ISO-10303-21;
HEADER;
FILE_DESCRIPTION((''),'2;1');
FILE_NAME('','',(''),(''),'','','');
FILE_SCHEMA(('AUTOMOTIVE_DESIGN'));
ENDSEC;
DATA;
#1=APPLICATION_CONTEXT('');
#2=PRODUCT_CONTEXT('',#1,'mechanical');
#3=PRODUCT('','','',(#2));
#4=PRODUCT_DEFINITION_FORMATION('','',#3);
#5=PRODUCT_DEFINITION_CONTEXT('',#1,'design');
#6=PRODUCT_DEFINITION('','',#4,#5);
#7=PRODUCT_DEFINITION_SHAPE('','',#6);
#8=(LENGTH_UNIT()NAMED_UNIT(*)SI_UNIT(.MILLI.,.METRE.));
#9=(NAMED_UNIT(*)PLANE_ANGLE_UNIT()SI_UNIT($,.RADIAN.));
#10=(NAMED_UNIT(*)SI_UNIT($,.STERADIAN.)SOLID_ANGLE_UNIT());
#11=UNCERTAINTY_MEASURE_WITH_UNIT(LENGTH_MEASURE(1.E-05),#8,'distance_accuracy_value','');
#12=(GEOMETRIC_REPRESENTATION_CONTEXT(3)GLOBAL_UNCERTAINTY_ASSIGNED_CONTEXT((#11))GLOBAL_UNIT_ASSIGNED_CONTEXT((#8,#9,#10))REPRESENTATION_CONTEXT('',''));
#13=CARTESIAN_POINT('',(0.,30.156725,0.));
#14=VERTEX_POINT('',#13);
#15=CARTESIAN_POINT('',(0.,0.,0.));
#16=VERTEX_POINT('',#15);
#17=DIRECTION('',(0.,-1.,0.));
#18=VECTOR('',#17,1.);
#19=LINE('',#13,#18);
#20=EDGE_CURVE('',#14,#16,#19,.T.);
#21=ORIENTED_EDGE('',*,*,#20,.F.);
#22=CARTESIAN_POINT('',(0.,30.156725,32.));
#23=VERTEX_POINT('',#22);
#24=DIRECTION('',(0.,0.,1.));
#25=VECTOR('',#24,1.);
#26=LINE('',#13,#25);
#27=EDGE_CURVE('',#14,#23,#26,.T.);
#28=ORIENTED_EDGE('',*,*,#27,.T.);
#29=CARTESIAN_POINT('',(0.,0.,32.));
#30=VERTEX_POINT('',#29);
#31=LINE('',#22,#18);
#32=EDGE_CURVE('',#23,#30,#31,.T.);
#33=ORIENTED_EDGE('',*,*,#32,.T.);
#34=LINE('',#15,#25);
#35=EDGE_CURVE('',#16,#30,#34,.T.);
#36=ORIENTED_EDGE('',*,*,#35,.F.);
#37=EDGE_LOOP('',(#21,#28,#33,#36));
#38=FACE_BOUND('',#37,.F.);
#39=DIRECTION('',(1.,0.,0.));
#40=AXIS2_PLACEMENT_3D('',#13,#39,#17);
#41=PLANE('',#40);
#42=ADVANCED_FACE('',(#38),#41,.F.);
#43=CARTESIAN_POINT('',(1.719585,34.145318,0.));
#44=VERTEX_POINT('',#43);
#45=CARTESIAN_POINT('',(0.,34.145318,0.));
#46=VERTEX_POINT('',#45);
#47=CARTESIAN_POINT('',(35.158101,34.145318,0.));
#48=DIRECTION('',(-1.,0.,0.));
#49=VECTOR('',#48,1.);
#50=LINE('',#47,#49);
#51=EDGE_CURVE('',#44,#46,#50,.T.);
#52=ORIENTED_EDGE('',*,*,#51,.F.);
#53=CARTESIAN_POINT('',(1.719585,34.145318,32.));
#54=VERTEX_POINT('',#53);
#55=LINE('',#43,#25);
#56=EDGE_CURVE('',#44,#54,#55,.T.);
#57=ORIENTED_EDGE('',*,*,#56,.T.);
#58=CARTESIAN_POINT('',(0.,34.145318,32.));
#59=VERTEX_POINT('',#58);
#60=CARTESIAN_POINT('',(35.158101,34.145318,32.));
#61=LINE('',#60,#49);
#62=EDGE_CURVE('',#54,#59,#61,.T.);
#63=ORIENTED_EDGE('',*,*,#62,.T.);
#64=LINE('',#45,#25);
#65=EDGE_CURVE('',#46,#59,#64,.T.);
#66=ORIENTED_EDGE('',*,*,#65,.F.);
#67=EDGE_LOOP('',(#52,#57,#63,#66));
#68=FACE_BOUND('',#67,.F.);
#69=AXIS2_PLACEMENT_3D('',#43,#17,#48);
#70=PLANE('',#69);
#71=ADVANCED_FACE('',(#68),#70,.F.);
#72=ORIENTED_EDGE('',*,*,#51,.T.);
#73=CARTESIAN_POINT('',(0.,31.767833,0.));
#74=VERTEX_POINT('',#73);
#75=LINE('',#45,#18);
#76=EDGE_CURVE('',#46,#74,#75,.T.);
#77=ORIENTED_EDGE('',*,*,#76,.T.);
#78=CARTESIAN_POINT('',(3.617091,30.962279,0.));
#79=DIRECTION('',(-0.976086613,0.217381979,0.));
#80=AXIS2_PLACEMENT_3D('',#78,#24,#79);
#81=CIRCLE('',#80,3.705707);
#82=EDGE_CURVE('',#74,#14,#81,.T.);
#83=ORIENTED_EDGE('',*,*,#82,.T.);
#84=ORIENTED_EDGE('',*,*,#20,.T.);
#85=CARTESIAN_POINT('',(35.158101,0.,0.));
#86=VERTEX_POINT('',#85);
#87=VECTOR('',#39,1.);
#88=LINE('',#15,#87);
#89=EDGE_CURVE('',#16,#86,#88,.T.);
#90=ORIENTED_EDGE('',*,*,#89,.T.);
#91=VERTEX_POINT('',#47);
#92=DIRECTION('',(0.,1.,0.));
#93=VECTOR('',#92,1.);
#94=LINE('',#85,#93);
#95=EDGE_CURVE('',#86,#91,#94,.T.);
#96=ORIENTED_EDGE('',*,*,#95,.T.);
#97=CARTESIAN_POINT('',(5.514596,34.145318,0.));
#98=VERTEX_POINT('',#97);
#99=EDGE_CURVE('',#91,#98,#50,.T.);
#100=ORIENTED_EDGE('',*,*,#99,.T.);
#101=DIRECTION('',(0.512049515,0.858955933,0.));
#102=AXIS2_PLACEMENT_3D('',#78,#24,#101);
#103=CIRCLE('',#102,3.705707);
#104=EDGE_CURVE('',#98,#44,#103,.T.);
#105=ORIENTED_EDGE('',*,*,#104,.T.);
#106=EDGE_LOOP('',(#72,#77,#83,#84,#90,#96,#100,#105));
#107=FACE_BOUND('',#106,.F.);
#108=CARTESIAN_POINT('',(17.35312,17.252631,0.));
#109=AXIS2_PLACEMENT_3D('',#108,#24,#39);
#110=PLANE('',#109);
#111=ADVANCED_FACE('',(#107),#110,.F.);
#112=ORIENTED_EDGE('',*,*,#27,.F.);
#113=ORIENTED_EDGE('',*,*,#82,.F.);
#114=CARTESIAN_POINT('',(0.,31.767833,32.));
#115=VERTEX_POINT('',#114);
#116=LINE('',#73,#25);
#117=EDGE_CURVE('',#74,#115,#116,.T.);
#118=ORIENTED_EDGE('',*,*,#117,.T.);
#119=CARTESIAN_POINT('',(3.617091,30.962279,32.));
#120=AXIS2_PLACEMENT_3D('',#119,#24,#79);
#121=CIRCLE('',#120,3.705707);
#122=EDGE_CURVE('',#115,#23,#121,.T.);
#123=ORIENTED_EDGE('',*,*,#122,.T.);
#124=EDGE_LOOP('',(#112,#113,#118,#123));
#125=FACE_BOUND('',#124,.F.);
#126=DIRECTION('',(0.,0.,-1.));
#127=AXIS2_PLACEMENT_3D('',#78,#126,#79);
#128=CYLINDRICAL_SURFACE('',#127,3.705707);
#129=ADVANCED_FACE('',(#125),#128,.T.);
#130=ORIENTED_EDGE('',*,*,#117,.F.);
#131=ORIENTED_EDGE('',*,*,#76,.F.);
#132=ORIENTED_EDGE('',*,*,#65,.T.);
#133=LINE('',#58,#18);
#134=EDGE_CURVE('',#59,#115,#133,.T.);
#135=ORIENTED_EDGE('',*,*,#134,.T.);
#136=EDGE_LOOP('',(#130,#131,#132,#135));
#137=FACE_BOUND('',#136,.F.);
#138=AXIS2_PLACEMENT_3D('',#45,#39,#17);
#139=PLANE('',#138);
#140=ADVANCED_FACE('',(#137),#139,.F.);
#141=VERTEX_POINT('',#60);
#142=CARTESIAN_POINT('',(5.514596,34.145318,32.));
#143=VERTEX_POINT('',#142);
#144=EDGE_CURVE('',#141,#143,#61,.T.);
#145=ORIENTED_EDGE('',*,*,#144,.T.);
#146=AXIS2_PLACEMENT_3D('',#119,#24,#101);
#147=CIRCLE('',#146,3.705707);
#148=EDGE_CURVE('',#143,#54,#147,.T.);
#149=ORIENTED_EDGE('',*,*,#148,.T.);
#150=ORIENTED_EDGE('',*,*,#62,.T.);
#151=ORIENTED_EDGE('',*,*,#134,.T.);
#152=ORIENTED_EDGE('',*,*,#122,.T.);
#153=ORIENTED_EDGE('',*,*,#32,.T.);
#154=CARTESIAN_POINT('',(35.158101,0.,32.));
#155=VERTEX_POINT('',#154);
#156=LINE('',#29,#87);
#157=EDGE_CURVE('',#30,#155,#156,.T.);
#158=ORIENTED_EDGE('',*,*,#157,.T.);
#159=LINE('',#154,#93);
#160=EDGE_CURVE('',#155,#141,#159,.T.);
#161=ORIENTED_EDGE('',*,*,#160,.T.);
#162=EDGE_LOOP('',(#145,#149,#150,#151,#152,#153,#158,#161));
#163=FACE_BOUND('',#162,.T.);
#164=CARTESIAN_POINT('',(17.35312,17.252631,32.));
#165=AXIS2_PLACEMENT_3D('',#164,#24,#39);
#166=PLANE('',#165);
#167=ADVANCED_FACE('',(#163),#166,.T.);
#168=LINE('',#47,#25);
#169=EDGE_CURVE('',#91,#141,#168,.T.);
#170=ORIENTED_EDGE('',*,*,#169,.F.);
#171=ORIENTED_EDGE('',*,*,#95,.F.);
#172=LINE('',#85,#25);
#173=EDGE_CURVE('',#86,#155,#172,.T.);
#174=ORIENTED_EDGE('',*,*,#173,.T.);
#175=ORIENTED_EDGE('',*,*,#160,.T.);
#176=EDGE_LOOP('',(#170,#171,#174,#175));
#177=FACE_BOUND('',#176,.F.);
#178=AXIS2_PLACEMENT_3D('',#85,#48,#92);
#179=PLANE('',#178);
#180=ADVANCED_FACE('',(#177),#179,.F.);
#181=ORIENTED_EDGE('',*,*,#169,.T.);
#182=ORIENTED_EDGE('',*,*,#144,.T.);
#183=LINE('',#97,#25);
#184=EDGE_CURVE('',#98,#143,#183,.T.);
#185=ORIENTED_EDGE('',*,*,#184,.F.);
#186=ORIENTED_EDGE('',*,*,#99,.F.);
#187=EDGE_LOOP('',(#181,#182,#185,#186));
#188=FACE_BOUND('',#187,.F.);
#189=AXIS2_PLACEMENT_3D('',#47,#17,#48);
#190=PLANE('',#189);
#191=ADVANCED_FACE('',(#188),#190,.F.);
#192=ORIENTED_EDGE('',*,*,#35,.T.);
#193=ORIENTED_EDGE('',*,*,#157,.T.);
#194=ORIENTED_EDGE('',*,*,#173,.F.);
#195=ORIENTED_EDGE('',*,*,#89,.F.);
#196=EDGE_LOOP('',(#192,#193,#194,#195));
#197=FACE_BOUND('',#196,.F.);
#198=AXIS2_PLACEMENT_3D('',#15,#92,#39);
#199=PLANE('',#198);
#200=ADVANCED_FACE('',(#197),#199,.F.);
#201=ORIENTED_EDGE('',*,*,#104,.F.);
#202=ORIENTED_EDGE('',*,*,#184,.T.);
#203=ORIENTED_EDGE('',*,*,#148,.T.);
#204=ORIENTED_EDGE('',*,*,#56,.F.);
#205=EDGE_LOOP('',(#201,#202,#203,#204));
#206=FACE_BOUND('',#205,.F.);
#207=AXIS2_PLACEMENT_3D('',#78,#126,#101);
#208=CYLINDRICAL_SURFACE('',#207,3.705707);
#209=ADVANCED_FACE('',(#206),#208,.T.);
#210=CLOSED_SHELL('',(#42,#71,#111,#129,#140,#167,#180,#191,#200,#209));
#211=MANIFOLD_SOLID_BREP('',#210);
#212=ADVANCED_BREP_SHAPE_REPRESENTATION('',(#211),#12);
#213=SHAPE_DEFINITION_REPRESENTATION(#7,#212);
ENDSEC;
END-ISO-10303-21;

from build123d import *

# Parameters (mm, degrees)
F1_DEPTH = 32


with BuildPart() as f1:
    # F0 (on Top) → F1 (new body)
    with BuildSketch(Plane.XY):
        with BuildLine():
            Line((0, 30.1567251716), (0, 0))
            Line((0, 0), (35.1581014693, 0))
            Line((35.1581014693, 0), (35.1581014693, 34.1453179717))
            Line((35.1581014693, 34.1453179717), (5.5145962808, 34.1453179717))
            ThreePointArc((5.5145962808, 34.1453179717), (6.8391912962, 32.7926703645), (7.3227977475, 30.9622790664))
            ThreePointArc((7.3227977475, 30.9622790664), (4.0222975699, 27.2787928126), (0, 30.1567251716))
        make_face()
        with BuildLine():
            ThreePointArc((0, 31.7678329612), (-0.0886160044, 30.9622790664), (0, 30.1567251716))
            Line((0, 30.1567251716), (0, 31.7678329612))
        make_face()
        with BuildLine():
            Line((0, 31.7678329612), (0, 30.1567251716))
            ThreePointArc((0, 30.1567251716), (4.0222975699, 27.2787928126), (7.3227977475, 30.9622790664))
            ThreePointArc((7.3227977475, 30.9622790664), (6.8391912962, 32.7926703645), (5.5145962808, 34.1453179717))
            Line((5.5145962808, 34.1453179717), (1.7195854623, 34.1453179717))
            ThreePointArc((1.7195854623, 34.1453179717), (0.6144583967, 33.1340206882), (0, 31.7678329612))
        make_face()
        with BuildLine():
            Line((0, 34.1453179717), (0, 31.7678329612))
            ThreePointArc((0, 31.7678329612), (0.6144583967, 33.1340206882), (1.7195854623, 34.1453179717))
            Line((1.7195854623, 34.1453179717), (0, 34.1453179717))
        make_face()
        with BuildLine():
            Line((1.7195854623, 34.1453179717), (5.5145962808, 34.1453179717))
            ThreePointArc((5.5145962808, 34.1453179717), (3.6170908716, 34.6679859424), (1.7195854623, 34.1453179717))
        make_face()
    extrude(amount=F1_DEPTH)


solid = f1.part
